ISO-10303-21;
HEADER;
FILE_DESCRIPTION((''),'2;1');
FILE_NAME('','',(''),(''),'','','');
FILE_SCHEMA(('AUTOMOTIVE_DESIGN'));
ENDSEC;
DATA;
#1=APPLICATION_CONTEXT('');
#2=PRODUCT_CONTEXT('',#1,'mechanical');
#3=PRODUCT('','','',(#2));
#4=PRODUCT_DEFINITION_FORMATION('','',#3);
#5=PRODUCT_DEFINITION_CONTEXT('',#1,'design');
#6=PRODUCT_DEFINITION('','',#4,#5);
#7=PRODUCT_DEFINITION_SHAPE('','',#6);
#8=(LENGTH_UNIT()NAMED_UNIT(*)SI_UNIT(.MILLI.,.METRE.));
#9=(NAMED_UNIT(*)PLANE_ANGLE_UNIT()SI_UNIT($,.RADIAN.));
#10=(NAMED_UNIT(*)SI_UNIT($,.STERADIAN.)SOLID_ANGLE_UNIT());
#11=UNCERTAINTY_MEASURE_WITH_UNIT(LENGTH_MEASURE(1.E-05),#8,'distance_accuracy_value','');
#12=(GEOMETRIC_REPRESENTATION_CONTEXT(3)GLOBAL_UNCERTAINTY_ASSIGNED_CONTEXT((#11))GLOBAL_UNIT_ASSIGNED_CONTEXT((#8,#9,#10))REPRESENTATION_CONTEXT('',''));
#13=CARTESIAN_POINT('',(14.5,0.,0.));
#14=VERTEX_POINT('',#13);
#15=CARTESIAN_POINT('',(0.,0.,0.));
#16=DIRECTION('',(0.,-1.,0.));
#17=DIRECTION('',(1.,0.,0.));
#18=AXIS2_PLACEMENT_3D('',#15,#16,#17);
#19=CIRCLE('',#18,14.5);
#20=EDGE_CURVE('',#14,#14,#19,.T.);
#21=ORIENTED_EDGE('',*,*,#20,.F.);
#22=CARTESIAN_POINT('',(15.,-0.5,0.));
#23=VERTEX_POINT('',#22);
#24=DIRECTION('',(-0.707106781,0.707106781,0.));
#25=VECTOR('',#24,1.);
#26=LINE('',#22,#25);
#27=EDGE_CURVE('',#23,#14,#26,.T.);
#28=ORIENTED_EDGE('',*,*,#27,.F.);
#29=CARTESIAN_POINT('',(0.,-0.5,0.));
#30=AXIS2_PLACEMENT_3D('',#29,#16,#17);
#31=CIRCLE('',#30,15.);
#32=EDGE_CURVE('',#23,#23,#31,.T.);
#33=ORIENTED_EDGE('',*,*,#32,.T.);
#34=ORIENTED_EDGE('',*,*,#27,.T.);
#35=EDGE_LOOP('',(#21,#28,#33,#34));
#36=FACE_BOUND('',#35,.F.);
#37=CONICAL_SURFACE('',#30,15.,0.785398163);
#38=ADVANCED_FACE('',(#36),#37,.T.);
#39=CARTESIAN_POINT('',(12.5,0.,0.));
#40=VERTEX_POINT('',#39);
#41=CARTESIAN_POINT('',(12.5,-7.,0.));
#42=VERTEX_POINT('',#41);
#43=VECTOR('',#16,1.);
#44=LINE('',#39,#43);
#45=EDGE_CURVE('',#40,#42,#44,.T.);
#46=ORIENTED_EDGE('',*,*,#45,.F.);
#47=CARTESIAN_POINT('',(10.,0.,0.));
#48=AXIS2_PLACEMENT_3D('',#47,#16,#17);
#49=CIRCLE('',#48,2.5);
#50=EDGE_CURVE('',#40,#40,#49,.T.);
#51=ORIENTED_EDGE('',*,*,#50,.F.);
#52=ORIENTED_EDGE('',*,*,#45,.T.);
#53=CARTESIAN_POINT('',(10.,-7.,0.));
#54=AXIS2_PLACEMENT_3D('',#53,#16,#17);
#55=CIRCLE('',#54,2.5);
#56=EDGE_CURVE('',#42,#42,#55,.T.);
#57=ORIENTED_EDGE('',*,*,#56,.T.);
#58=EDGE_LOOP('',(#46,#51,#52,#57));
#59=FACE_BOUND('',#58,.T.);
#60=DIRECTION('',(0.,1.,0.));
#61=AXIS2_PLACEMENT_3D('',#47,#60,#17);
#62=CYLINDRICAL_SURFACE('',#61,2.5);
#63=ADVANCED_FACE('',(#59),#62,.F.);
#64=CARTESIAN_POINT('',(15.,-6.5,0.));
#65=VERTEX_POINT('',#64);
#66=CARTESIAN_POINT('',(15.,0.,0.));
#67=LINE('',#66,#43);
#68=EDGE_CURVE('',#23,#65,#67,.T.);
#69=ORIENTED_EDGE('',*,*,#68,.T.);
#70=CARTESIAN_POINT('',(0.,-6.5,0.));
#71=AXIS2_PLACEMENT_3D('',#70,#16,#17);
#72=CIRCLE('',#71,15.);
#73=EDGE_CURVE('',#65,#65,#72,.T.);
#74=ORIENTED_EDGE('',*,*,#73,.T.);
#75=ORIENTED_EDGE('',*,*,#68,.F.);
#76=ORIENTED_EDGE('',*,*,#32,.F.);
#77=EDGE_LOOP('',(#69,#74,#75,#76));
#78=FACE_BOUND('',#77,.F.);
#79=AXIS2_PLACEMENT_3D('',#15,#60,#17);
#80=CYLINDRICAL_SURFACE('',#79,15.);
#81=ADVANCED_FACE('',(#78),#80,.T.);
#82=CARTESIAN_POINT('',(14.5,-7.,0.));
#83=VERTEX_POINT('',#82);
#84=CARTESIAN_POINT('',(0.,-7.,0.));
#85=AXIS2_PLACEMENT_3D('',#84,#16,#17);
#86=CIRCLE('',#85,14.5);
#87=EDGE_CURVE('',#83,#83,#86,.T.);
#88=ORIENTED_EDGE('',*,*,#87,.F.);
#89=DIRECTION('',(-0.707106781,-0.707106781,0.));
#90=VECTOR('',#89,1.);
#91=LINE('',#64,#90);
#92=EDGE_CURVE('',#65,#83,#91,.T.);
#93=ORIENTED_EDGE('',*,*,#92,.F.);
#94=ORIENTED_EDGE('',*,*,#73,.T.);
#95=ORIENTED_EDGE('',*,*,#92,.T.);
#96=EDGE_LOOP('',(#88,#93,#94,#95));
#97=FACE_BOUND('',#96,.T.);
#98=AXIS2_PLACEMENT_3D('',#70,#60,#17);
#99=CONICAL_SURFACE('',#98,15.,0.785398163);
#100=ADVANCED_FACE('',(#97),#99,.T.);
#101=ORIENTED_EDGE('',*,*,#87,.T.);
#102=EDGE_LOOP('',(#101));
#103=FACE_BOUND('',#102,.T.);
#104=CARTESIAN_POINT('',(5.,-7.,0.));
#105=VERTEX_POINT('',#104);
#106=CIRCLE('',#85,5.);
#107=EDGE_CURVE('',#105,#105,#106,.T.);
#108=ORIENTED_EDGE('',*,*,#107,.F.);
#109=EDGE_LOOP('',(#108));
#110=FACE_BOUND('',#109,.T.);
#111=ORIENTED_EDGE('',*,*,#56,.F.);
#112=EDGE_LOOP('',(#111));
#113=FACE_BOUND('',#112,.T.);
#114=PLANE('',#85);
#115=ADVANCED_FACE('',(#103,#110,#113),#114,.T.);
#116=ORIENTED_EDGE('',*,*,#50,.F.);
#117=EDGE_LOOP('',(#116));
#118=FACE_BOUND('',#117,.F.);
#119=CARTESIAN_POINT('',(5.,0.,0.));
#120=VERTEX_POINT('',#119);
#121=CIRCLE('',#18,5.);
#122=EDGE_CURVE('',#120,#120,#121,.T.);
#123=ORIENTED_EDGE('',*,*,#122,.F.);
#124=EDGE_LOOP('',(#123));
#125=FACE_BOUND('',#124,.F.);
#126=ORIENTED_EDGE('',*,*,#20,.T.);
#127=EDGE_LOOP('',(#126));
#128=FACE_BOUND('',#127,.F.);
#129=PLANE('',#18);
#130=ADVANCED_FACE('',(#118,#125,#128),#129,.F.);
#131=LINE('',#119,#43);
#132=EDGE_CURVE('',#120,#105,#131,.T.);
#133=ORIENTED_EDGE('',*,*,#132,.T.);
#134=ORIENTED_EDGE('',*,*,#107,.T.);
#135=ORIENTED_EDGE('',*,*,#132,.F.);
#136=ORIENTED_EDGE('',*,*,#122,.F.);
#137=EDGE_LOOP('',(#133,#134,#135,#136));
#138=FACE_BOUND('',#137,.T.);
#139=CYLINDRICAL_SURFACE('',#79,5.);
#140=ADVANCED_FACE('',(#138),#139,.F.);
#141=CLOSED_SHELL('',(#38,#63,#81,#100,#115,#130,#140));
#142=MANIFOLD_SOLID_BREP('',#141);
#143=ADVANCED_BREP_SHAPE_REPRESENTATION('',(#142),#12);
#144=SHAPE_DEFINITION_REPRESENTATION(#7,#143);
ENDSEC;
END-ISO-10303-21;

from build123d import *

# Parameters (mm, degrees)
F0_R     = 15
F0_R_2   = 5
F0_R_3   = 2.5
F1_DEPTH = 7
F2_SIZE  = 0.5
F3_SIZE  = 0.5


with BuildPart() as f1:
    # F0 (on Front) → F1 (new body)
    with BuildSketch(Plane.XZ):
        Circle(F0_R)
        Circle(F0_R_2, mode=Mode.SUBTRACT)
        with Locations((10, 0)):
            Circle(F0_R_3, mode=Mode.SUBTRACT)
    extrude(amount=F1_DEPTH)

    # F2
    f2_edges = [f1.edges().sort_by_distance(p)[0] for p in [
        (-15, -7, 0),
    ]]
    chamfer(f2_edges, length=F2_SIZE)

    # F3
    f3_edges = [f1.edges().sort_by_distance(p)[0] for p in [
        (-15, 0, 0),
    ]]
    chamfer(f3_edges, length=F3_SIZE)


solid = f1.part
